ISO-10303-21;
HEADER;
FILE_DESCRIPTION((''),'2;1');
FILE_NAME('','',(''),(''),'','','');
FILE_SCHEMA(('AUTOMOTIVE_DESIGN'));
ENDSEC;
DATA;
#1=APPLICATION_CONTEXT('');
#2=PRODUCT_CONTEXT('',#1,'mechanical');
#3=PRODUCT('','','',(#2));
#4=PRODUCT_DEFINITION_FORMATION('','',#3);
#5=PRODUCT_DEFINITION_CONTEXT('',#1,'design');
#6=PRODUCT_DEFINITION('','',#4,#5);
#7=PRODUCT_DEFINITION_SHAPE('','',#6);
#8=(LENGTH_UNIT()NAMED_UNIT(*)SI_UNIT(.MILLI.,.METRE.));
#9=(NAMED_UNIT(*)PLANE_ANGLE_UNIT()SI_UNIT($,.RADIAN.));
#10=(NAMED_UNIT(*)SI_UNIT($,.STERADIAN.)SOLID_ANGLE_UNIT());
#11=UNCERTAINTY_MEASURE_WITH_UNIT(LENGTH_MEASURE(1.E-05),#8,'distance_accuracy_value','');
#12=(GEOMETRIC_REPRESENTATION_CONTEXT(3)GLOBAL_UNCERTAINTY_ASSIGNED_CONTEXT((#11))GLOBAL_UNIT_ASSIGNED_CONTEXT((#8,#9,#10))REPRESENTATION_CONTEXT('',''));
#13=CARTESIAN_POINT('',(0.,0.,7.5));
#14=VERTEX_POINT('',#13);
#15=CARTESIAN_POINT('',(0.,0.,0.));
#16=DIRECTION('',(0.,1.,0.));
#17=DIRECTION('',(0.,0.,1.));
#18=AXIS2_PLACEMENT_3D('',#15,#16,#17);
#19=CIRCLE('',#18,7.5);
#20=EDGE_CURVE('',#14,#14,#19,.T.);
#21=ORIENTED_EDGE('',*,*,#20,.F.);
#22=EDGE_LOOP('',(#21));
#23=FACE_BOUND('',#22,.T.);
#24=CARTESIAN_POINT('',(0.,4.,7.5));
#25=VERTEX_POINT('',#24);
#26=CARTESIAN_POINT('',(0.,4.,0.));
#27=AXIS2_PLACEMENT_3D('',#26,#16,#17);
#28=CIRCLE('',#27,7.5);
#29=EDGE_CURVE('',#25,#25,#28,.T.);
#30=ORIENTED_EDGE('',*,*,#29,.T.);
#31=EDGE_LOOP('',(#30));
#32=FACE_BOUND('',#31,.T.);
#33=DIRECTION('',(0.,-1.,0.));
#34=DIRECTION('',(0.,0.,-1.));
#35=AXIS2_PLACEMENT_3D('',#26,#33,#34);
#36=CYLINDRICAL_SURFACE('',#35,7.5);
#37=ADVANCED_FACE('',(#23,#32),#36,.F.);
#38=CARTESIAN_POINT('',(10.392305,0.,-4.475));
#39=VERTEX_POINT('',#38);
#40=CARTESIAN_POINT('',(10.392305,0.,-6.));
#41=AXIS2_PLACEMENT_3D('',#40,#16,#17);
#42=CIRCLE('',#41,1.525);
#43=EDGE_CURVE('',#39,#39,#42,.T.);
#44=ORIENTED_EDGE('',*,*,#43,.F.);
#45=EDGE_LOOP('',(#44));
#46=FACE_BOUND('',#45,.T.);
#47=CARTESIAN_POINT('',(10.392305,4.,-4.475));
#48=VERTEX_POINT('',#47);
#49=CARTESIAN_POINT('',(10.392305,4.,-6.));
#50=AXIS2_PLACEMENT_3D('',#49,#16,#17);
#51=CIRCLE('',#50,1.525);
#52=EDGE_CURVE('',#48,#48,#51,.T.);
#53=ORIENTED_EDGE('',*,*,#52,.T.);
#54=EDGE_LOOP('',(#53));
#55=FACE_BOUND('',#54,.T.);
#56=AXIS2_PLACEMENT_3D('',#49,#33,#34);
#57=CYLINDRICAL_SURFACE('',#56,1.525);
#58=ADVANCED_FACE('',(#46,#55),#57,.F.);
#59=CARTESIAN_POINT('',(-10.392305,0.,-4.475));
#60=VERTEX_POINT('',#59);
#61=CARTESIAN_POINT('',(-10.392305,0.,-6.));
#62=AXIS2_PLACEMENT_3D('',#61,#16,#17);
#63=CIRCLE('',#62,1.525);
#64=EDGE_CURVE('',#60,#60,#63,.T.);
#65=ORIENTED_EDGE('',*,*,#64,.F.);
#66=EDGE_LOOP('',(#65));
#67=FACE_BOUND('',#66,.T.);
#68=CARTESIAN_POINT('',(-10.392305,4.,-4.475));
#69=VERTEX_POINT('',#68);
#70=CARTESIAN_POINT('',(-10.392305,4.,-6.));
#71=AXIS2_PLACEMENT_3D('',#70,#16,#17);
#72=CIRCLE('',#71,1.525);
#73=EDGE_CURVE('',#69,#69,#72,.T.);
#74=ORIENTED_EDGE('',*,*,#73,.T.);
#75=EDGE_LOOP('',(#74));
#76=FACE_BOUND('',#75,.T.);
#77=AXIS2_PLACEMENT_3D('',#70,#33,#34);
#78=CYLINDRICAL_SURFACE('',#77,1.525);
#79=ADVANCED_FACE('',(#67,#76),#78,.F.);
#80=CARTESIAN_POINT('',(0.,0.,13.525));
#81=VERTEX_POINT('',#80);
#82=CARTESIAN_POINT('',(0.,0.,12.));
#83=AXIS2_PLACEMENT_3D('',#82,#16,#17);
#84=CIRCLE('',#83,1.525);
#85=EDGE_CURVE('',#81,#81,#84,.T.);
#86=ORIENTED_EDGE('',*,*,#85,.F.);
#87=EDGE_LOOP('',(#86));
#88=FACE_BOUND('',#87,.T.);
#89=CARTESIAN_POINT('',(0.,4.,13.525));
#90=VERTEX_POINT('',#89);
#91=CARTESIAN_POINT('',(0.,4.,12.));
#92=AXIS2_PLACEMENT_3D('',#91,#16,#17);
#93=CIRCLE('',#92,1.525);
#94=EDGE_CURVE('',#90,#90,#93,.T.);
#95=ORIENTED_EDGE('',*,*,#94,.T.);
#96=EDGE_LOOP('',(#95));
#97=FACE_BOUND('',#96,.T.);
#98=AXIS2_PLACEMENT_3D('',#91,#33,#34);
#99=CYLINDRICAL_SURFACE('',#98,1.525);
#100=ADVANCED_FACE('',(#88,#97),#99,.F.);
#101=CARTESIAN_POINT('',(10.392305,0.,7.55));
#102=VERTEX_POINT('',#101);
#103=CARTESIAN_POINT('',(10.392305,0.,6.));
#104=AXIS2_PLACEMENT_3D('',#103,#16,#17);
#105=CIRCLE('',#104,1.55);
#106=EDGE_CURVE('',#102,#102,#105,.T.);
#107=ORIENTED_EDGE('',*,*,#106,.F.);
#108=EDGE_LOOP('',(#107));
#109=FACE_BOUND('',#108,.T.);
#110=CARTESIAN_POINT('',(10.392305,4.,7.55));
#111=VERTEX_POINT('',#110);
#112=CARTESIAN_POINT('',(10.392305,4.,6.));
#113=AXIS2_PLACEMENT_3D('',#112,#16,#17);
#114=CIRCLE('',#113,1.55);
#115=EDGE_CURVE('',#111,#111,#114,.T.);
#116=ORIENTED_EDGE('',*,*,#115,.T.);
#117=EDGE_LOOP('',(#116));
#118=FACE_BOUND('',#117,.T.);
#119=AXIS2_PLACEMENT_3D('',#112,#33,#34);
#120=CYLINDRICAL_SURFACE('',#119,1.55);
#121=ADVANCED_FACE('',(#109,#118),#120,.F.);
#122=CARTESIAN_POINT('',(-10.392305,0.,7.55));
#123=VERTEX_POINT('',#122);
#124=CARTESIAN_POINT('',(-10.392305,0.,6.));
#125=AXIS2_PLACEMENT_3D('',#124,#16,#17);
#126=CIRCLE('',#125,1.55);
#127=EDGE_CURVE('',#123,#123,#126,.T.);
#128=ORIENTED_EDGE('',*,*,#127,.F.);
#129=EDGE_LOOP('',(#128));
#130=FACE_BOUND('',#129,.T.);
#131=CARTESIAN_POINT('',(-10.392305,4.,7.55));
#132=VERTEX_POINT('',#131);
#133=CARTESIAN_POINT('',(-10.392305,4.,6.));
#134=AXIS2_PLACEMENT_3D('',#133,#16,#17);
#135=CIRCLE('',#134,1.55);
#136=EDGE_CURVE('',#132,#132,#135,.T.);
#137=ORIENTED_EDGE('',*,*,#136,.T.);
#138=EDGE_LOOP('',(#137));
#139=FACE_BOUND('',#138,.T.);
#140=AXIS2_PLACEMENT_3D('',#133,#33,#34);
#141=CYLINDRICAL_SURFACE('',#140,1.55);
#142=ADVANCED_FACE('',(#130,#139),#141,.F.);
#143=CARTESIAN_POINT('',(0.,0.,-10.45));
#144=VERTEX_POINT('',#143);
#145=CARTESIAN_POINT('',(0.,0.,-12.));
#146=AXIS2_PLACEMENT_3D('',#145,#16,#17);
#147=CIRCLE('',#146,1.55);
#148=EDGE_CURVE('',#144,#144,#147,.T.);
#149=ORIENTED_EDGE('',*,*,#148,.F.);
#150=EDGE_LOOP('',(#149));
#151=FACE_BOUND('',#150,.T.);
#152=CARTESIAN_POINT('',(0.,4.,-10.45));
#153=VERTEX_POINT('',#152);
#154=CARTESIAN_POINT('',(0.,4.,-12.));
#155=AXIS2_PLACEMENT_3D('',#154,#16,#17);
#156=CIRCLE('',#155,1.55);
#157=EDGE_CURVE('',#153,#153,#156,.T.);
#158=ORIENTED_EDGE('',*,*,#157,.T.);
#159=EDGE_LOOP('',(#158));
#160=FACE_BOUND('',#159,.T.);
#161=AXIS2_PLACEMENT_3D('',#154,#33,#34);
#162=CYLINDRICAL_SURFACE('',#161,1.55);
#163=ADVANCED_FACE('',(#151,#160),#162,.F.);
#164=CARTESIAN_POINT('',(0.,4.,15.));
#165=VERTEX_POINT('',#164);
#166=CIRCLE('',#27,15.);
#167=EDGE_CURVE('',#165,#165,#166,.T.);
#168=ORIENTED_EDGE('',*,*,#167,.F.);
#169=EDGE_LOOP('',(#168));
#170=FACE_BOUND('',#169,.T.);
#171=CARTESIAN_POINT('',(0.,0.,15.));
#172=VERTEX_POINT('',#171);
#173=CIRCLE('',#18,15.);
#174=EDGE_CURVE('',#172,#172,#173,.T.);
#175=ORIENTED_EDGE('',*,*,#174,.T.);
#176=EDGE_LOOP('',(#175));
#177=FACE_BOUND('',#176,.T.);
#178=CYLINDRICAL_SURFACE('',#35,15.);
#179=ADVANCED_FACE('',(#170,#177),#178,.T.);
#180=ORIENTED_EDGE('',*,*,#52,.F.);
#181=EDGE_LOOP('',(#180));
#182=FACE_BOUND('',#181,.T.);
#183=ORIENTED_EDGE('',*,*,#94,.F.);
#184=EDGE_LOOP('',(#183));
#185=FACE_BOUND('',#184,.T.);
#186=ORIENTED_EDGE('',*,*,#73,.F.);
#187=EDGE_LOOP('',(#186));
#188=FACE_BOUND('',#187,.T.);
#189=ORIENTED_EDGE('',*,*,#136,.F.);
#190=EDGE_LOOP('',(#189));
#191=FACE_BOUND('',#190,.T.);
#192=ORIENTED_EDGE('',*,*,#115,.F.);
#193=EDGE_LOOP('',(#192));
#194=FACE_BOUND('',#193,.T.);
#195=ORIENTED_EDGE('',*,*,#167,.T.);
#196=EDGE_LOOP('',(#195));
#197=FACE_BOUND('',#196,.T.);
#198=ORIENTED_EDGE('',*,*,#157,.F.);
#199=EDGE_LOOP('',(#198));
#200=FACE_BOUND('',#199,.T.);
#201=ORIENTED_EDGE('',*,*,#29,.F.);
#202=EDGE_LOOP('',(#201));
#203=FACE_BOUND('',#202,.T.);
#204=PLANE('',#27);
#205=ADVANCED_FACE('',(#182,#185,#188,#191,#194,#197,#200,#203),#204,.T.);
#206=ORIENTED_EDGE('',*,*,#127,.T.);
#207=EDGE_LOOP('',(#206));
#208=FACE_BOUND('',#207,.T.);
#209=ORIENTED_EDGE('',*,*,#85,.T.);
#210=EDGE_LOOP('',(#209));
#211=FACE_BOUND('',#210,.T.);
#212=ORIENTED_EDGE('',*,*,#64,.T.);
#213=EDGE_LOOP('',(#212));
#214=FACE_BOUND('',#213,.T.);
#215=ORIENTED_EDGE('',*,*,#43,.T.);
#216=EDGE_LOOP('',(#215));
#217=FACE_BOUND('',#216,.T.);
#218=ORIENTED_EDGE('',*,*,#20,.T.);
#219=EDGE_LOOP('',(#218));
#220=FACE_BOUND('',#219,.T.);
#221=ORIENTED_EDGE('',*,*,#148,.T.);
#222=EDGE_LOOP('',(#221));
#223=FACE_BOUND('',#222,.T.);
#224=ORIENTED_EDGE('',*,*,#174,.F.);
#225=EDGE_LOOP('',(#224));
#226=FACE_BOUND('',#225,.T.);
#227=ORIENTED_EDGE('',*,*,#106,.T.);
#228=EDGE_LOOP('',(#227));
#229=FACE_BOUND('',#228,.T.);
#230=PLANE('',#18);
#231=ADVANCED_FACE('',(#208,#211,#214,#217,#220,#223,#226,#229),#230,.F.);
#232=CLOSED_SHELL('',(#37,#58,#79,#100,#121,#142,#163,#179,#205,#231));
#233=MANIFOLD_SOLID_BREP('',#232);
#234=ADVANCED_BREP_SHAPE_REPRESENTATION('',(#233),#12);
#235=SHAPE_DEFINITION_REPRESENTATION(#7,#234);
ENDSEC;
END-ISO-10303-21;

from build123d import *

# Parameters (mm, degrees)
SKETCH_1_R      = 15
SKETCH_1_R_2    = 1.55
SKETCH_1_R_3    = 7.5
SKETCH_1_R_4    = 1.525
EXTRUDE_1_DEPTH = 4


with BuildPart() as part:
    # 草图1 → 凸台-拉伸1 (new body)
    with BuildSketch(Plane(origin=(0, 0, 0), x_dir=(1, 0, 0), z_dir=(0, 1, 0))):
        with Locations(Location((0, 0, 0), (0, 0, 270))):
            Circle(SKETCH_1_R)
        with Locations(Location((0, 12, 0), (0, 0, 270))):
            Circle(SKETCH_1_R_2, mode=Mode.SUBTRACT)
        with Locations(Location((10.392304845, -6, 0), (0, 0, 270))):
            Circle(SKETCH_1_R_2, mode=Mode.SUBTRACT)
        with Locations(Location((-10.392304845, -6, 0), (0, 0, 270))):
            Circle(SKETCH_1_R_2, mode=Mode.SUBTRACT)
        with Locations(Location((0, 0, 0), (0, 0, 270))):
            Circle(SKETCH_1_R_3, mode=Mode.SUBTRACT)
        with Locations(Location((-10.392304845, 6, 0), (0, 0, 270))):
            Circle(SKETCH_1_R_4, mode=Mode.SUBTRACT)
        with Locations(Location((10.392304845, 6, 0), (0, 0, 270))):
            Circle(SKETCH_1_R_4, mode=Mode.SUBTRACT)
        with Locations(Location((0, -12, 0), (0, 0, 270))):
            Circle(SKETCH_1_R_4, mode=Mode.SUBTRACT)
    extrude(amount=EXTRUDE_1_DEPTH)


solid = part.part
